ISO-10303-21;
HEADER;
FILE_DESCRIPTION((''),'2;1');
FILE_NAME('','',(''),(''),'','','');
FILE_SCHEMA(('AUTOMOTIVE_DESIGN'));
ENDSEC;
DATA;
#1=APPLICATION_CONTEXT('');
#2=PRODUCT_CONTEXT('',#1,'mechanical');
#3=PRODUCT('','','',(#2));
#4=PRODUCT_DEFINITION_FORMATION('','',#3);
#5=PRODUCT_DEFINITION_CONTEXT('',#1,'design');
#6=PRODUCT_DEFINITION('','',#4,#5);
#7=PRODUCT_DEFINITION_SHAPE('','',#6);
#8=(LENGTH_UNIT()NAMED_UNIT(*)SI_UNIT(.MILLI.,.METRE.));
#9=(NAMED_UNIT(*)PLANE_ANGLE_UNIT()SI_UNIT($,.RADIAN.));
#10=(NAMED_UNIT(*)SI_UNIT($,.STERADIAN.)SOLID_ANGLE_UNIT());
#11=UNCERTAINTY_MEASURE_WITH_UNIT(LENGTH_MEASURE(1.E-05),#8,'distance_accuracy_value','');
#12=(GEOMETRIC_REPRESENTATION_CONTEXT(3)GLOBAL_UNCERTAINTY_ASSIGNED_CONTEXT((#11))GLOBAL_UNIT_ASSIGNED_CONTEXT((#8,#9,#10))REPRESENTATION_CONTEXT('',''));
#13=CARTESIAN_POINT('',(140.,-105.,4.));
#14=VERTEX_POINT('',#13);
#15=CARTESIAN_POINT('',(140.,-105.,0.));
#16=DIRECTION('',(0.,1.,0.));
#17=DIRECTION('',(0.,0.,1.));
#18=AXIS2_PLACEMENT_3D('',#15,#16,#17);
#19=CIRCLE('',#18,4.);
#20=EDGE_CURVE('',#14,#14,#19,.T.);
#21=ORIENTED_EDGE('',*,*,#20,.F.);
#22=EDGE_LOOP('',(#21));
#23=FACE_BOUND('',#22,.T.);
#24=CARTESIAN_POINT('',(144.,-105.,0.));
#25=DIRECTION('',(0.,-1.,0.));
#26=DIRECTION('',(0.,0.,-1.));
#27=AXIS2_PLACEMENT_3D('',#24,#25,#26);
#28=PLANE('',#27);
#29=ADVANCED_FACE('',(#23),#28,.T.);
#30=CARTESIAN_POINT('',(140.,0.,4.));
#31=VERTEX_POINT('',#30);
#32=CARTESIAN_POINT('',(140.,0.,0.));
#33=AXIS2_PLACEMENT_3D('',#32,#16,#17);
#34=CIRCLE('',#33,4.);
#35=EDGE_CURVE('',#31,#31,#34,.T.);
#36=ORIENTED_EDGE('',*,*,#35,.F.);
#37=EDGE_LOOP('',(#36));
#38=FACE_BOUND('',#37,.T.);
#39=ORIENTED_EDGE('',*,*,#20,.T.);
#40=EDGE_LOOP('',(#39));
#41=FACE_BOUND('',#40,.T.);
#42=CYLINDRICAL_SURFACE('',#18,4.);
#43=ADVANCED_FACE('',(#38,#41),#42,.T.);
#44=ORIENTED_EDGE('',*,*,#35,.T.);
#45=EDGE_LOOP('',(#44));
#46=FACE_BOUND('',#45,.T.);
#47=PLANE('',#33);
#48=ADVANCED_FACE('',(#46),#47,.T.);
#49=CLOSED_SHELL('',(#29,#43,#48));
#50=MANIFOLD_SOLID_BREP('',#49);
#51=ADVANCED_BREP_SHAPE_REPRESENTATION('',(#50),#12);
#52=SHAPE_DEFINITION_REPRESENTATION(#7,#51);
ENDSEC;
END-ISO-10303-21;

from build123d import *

# Parameters (mm, degrees)
SKETCH_1_W = 4
SKETCH_1_H = 105


with BuildPart() as part:
    # 草图1 → 旋转1 (revolve)
    with BuildSketch(Plane(origin=(0, 0, 0), x_dir=(-1, 0, 0), z_dir=(0, 0, -1))):
        with Locations((-142, -52.5)):
            Rectangle(SKETCH_1_W, SKETCH_1_H)
    revolve(axis=Axis((140, -105, 0), (0, 1, 0)))


solid = part.part
